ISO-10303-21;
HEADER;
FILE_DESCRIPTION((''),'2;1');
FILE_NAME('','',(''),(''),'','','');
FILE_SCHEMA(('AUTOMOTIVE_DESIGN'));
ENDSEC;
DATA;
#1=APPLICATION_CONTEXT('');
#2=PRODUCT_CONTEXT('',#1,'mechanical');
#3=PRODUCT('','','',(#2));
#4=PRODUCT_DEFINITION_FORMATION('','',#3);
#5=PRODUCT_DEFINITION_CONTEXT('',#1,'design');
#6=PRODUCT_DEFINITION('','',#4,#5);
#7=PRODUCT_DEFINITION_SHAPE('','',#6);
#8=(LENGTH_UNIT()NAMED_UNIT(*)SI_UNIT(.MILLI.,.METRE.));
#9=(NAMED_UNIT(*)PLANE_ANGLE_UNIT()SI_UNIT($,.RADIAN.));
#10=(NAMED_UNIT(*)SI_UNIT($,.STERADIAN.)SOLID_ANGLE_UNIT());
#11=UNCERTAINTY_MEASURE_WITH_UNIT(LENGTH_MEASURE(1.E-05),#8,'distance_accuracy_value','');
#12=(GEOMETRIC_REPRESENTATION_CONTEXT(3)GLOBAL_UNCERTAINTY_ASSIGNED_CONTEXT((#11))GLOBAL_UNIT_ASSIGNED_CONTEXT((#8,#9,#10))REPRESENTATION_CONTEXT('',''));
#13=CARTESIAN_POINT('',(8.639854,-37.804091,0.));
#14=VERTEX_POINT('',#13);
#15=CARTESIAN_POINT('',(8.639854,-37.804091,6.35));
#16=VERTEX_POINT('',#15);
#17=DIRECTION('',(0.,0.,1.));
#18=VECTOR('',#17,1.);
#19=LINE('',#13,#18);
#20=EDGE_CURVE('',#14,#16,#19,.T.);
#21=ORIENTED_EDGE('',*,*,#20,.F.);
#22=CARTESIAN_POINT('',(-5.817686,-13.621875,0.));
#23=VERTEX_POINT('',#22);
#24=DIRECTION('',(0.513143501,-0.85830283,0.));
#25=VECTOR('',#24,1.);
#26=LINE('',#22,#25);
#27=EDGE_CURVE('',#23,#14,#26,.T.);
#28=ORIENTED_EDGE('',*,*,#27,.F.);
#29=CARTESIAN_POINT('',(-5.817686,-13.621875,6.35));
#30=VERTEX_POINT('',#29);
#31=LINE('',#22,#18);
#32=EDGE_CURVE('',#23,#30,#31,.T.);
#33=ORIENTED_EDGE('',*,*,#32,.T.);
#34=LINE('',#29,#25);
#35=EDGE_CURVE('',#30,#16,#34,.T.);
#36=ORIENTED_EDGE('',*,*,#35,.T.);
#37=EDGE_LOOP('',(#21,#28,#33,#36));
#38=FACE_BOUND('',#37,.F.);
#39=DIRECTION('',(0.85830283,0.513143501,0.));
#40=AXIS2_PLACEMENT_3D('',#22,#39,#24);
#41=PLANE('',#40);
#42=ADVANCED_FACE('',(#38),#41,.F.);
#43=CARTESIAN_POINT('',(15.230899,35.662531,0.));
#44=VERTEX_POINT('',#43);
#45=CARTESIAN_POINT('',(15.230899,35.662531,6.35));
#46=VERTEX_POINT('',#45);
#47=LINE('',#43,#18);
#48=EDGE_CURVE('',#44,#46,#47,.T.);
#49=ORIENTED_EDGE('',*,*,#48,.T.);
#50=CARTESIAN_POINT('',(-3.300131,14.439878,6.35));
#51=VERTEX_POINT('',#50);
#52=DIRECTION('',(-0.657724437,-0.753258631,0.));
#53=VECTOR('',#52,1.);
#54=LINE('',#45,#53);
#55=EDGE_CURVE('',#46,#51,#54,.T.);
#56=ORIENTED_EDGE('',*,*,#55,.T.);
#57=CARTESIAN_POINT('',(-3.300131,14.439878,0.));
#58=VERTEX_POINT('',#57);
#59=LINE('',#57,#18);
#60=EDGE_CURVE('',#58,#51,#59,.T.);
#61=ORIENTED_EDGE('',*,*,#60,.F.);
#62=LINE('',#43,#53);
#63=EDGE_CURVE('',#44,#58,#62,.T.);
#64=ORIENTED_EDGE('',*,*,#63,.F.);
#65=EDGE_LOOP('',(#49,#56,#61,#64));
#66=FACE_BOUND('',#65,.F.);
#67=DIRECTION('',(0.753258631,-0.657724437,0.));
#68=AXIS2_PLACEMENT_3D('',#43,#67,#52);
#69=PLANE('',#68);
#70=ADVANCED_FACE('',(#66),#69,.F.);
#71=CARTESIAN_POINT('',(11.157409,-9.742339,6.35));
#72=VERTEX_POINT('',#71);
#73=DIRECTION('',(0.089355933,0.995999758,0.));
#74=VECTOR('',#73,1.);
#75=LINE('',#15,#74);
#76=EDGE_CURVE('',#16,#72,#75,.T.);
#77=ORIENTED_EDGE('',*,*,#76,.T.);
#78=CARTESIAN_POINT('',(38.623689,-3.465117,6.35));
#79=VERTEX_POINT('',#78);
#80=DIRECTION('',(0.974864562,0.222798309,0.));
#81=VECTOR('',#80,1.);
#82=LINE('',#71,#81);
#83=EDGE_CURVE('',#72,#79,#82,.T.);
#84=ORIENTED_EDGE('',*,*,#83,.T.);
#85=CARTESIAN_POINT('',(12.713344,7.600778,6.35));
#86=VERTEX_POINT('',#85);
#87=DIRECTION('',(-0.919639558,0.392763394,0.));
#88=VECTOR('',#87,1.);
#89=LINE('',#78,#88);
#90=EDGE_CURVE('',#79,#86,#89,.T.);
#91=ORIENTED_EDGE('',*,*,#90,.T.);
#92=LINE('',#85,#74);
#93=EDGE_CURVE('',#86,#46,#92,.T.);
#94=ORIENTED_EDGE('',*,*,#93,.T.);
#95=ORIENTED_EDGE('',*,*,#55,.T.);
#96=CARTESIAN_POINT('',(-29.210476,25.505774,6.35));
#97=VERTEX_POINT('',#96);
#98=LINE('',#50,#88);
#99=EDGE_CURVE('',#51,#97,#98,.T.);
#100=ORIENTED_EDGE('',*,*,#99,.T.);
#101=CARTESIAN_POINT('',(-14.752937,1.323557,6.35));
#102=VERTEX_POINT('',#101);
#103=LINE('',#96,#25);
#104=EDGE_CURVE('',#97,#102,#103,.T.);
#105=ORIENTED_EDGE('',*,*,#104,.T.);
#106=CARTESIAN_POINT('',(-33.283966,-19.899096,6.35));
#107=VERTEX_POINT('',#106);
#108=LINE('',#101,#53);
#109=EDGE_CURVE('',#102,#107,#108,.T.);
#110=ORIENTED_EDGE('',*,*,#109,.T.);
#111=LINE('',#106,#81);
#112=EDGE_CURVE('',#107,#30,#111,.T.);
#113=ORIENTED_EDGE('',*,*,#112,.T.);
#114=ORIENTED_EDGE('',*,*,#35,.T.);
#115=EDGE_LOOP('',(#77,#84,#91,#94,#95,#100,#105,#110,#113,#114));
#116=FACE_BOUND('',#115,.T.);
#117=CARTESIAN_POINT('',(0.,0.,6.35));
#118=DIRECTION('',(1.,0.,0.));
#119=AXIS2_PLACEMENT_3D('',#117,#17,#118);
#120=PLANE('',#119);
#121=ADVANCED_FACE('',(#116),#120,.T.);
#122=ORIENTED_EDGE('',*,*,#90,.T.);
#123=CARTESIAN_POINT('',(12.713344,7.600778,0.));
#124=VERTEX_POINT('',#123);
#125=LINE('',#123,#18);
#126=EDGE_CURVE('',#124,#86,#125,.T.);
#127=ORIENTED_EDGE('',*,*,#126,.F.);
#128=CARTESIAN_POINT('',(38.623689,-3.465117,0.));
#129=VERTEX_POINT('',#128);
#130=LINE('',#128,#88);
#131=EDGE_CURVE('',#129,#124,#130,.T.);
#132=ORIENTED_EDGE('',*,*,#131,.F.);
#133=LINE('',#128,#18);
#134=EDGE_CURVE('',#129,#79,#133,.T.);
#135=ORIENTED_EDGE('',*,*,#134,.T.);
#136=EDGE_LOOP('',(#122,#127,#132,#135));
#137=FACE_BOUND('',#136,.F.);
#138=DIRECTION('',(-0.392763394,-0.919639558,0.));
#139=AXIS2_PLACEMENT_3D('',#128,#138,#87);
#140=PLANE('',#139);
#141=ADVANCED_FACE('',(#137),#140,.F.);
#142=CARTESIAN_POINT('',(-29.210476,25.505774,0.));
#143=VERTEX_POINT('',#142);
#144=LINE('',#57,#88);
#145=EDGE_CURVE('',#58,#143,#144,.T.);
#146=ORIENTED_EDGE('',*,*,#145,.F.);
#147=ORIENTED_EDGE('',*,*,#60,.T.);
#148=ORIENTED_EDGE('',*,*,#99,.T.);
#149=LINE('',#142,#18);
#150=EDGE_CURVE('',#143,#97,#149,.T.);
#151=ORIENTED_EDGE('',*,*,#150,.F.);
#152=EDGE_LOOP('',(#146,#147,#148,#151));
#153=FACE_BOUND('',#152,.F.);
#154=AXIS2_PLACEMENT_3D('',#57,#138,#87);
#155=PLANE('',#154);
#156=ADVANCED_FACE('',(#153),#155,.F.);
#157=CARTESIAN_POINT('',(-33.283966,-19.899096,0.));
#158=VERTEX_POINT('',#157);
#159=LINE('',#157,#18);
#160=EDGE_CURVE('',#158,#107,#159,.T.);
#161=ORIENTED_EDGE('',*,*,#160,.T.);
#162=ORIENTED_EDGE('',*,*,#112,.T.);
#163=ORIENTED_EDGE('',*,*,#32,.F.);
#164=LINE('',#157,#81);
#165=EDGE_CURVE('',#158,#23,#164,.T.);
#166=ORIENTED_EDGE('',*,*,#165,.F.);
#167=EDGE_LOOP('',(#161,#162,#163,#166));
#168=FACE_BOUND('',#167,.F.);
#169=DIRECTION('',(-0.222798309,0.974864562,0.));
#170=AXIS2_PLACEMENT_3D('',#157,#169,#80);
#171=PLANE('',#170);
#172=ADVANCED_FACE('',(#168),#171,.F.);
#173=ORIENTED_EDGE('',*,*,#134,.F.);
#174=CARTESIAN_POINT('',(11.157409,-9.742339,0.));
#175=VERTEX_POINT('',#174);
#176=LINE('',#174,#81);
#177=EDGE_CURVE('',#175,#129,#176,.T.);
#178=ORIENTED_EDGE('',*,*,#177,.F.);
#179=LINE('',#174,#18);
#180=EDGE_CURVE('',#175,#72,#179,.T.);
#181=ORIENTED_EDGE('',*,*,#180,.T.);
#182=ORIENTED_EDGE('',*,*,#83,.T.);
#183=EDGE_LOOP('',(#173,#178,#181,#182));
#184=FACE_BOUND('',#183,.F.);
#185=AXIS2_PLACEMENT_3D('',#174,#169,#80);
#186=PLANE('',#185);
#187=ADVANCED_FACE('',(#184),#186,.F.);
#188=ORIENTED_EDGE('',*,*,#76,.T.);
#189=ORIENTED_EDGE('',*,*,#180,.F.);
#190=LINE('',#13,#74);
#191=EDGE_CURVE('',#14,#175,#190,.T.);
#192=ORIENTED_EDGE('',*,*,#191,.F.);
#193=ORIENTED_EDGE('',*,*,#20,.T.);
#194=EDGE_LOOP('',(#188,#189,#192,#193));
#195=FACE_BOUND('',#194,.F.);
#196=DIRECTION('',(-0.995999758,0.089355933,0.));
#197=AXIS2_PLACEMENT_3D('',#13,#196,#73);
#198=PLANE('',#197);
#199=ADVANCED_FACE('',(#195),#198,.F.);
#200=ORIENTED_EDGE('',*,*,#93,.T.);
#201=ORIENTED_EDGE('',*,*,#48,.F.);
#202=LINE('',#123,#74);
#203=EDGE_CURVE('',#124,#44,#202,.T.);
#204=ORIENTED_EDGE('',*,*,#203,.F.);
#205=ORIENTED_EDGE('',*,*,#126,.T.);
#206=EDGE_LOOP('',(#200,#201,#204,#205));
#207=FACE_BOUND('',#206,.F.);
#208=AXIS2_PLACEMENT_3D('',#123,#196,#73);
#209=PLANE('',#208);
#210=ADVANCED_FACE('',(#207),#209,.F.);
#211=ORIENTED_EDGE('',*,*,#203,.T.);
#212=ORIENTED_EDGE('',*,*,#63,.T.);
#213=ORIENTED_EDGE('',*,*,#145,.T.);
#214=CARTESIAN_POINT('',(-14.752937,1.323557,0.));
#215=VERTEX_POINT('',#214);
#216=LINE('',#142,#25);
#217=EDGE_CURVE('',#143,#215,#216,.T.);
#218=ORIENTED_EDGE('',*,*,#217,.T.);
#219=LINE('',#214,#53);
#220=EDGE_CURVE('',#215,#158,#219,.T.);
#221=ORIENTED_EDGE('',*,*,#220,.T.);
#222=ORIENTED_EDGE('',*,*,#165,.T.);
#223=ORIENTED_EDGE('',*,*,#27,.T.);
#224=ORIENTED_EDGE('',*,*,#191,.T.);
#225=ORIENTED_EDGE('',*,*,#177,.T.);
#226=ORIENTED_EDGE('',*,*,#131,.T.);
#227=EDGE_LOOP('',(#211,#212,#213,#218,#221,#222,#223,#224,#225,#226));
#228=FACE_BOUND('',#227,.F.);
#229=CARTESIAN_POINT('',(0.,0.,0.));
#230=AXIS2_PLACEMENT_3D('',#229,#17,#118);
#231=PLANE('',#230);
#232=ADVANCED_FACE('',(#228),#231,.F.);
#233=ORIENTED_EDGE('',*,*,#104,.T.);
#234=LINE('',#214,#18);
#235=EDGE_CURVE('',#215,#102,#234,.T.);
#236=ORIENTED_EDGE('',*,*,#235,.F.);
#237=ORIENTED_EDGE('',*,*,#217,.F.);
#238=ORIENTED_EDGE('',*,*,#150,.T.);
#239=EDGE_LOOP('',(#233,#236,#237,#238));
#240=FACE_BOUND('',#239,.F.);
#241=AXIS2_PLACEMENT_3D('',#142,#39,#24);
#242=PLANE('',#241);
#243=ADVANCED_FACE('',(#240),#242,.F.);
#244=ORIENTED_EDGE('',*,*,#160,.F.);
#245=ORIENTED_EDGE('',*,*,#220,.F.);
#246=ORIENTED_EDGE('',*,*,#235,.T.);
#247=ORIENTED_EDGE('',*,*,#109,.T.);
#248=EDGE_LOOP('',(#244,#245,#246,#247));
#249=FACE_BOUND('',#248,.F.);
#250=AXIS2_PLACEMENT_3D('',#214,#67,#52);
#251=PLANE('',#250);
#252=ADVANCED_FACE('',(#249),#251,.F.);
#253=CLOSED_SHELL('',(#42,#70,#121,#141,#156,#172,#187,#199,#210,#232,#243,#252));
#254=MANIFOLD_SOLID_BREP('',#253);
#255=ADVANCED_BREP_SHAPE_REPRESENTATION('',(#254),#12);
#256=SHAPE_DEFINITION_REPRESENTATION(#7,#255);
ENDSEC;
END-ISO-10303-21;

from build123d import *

# Parameters (mm, degrees)
F1_DEPTH = 6.35


with BuildPart() as f1:
    # F0 (on Top) → F1 (new body)
    with BuildSketch(Plane.XY):
        Polygon((-14.7529365335, 1.3235569542), (-5.8176855718, -13.6218748328), (11.1574091143, -9.7423385914), (12.7133436308, 7.6007784534), (-3.3001306398, 14.4398780166), align=None)
        Polygon((12.7133436308, 7.6007784534), (11.1574091143, -9.7423385914), (38.6236892786, -3.4651170922), align=None)
        Polygon((-5.8176855718, -13.6218748328), (8.6398541823, -37.8040914407), (11.1574091143, -9.7423385914), align=None)
        Polygon((-33.2839657361, -19.899096332), (-5.8176855718, -13.6218748328), (-14.7529365335, 1.3235569542), align=None)
        Polygon((-29.2104762876, 25.5057735621), (-14.7529365335, 1.3235569542), (-3.3001306398, 14.4398780166), align=None)
        Polygon((-3.3001306398, 14.4398780166), (12.7133436308, 7.6007784534), (15.2308985628, 35.6625313028), align=None)
    extrude(amount=F1_DEPTH)


solid = f1.part
